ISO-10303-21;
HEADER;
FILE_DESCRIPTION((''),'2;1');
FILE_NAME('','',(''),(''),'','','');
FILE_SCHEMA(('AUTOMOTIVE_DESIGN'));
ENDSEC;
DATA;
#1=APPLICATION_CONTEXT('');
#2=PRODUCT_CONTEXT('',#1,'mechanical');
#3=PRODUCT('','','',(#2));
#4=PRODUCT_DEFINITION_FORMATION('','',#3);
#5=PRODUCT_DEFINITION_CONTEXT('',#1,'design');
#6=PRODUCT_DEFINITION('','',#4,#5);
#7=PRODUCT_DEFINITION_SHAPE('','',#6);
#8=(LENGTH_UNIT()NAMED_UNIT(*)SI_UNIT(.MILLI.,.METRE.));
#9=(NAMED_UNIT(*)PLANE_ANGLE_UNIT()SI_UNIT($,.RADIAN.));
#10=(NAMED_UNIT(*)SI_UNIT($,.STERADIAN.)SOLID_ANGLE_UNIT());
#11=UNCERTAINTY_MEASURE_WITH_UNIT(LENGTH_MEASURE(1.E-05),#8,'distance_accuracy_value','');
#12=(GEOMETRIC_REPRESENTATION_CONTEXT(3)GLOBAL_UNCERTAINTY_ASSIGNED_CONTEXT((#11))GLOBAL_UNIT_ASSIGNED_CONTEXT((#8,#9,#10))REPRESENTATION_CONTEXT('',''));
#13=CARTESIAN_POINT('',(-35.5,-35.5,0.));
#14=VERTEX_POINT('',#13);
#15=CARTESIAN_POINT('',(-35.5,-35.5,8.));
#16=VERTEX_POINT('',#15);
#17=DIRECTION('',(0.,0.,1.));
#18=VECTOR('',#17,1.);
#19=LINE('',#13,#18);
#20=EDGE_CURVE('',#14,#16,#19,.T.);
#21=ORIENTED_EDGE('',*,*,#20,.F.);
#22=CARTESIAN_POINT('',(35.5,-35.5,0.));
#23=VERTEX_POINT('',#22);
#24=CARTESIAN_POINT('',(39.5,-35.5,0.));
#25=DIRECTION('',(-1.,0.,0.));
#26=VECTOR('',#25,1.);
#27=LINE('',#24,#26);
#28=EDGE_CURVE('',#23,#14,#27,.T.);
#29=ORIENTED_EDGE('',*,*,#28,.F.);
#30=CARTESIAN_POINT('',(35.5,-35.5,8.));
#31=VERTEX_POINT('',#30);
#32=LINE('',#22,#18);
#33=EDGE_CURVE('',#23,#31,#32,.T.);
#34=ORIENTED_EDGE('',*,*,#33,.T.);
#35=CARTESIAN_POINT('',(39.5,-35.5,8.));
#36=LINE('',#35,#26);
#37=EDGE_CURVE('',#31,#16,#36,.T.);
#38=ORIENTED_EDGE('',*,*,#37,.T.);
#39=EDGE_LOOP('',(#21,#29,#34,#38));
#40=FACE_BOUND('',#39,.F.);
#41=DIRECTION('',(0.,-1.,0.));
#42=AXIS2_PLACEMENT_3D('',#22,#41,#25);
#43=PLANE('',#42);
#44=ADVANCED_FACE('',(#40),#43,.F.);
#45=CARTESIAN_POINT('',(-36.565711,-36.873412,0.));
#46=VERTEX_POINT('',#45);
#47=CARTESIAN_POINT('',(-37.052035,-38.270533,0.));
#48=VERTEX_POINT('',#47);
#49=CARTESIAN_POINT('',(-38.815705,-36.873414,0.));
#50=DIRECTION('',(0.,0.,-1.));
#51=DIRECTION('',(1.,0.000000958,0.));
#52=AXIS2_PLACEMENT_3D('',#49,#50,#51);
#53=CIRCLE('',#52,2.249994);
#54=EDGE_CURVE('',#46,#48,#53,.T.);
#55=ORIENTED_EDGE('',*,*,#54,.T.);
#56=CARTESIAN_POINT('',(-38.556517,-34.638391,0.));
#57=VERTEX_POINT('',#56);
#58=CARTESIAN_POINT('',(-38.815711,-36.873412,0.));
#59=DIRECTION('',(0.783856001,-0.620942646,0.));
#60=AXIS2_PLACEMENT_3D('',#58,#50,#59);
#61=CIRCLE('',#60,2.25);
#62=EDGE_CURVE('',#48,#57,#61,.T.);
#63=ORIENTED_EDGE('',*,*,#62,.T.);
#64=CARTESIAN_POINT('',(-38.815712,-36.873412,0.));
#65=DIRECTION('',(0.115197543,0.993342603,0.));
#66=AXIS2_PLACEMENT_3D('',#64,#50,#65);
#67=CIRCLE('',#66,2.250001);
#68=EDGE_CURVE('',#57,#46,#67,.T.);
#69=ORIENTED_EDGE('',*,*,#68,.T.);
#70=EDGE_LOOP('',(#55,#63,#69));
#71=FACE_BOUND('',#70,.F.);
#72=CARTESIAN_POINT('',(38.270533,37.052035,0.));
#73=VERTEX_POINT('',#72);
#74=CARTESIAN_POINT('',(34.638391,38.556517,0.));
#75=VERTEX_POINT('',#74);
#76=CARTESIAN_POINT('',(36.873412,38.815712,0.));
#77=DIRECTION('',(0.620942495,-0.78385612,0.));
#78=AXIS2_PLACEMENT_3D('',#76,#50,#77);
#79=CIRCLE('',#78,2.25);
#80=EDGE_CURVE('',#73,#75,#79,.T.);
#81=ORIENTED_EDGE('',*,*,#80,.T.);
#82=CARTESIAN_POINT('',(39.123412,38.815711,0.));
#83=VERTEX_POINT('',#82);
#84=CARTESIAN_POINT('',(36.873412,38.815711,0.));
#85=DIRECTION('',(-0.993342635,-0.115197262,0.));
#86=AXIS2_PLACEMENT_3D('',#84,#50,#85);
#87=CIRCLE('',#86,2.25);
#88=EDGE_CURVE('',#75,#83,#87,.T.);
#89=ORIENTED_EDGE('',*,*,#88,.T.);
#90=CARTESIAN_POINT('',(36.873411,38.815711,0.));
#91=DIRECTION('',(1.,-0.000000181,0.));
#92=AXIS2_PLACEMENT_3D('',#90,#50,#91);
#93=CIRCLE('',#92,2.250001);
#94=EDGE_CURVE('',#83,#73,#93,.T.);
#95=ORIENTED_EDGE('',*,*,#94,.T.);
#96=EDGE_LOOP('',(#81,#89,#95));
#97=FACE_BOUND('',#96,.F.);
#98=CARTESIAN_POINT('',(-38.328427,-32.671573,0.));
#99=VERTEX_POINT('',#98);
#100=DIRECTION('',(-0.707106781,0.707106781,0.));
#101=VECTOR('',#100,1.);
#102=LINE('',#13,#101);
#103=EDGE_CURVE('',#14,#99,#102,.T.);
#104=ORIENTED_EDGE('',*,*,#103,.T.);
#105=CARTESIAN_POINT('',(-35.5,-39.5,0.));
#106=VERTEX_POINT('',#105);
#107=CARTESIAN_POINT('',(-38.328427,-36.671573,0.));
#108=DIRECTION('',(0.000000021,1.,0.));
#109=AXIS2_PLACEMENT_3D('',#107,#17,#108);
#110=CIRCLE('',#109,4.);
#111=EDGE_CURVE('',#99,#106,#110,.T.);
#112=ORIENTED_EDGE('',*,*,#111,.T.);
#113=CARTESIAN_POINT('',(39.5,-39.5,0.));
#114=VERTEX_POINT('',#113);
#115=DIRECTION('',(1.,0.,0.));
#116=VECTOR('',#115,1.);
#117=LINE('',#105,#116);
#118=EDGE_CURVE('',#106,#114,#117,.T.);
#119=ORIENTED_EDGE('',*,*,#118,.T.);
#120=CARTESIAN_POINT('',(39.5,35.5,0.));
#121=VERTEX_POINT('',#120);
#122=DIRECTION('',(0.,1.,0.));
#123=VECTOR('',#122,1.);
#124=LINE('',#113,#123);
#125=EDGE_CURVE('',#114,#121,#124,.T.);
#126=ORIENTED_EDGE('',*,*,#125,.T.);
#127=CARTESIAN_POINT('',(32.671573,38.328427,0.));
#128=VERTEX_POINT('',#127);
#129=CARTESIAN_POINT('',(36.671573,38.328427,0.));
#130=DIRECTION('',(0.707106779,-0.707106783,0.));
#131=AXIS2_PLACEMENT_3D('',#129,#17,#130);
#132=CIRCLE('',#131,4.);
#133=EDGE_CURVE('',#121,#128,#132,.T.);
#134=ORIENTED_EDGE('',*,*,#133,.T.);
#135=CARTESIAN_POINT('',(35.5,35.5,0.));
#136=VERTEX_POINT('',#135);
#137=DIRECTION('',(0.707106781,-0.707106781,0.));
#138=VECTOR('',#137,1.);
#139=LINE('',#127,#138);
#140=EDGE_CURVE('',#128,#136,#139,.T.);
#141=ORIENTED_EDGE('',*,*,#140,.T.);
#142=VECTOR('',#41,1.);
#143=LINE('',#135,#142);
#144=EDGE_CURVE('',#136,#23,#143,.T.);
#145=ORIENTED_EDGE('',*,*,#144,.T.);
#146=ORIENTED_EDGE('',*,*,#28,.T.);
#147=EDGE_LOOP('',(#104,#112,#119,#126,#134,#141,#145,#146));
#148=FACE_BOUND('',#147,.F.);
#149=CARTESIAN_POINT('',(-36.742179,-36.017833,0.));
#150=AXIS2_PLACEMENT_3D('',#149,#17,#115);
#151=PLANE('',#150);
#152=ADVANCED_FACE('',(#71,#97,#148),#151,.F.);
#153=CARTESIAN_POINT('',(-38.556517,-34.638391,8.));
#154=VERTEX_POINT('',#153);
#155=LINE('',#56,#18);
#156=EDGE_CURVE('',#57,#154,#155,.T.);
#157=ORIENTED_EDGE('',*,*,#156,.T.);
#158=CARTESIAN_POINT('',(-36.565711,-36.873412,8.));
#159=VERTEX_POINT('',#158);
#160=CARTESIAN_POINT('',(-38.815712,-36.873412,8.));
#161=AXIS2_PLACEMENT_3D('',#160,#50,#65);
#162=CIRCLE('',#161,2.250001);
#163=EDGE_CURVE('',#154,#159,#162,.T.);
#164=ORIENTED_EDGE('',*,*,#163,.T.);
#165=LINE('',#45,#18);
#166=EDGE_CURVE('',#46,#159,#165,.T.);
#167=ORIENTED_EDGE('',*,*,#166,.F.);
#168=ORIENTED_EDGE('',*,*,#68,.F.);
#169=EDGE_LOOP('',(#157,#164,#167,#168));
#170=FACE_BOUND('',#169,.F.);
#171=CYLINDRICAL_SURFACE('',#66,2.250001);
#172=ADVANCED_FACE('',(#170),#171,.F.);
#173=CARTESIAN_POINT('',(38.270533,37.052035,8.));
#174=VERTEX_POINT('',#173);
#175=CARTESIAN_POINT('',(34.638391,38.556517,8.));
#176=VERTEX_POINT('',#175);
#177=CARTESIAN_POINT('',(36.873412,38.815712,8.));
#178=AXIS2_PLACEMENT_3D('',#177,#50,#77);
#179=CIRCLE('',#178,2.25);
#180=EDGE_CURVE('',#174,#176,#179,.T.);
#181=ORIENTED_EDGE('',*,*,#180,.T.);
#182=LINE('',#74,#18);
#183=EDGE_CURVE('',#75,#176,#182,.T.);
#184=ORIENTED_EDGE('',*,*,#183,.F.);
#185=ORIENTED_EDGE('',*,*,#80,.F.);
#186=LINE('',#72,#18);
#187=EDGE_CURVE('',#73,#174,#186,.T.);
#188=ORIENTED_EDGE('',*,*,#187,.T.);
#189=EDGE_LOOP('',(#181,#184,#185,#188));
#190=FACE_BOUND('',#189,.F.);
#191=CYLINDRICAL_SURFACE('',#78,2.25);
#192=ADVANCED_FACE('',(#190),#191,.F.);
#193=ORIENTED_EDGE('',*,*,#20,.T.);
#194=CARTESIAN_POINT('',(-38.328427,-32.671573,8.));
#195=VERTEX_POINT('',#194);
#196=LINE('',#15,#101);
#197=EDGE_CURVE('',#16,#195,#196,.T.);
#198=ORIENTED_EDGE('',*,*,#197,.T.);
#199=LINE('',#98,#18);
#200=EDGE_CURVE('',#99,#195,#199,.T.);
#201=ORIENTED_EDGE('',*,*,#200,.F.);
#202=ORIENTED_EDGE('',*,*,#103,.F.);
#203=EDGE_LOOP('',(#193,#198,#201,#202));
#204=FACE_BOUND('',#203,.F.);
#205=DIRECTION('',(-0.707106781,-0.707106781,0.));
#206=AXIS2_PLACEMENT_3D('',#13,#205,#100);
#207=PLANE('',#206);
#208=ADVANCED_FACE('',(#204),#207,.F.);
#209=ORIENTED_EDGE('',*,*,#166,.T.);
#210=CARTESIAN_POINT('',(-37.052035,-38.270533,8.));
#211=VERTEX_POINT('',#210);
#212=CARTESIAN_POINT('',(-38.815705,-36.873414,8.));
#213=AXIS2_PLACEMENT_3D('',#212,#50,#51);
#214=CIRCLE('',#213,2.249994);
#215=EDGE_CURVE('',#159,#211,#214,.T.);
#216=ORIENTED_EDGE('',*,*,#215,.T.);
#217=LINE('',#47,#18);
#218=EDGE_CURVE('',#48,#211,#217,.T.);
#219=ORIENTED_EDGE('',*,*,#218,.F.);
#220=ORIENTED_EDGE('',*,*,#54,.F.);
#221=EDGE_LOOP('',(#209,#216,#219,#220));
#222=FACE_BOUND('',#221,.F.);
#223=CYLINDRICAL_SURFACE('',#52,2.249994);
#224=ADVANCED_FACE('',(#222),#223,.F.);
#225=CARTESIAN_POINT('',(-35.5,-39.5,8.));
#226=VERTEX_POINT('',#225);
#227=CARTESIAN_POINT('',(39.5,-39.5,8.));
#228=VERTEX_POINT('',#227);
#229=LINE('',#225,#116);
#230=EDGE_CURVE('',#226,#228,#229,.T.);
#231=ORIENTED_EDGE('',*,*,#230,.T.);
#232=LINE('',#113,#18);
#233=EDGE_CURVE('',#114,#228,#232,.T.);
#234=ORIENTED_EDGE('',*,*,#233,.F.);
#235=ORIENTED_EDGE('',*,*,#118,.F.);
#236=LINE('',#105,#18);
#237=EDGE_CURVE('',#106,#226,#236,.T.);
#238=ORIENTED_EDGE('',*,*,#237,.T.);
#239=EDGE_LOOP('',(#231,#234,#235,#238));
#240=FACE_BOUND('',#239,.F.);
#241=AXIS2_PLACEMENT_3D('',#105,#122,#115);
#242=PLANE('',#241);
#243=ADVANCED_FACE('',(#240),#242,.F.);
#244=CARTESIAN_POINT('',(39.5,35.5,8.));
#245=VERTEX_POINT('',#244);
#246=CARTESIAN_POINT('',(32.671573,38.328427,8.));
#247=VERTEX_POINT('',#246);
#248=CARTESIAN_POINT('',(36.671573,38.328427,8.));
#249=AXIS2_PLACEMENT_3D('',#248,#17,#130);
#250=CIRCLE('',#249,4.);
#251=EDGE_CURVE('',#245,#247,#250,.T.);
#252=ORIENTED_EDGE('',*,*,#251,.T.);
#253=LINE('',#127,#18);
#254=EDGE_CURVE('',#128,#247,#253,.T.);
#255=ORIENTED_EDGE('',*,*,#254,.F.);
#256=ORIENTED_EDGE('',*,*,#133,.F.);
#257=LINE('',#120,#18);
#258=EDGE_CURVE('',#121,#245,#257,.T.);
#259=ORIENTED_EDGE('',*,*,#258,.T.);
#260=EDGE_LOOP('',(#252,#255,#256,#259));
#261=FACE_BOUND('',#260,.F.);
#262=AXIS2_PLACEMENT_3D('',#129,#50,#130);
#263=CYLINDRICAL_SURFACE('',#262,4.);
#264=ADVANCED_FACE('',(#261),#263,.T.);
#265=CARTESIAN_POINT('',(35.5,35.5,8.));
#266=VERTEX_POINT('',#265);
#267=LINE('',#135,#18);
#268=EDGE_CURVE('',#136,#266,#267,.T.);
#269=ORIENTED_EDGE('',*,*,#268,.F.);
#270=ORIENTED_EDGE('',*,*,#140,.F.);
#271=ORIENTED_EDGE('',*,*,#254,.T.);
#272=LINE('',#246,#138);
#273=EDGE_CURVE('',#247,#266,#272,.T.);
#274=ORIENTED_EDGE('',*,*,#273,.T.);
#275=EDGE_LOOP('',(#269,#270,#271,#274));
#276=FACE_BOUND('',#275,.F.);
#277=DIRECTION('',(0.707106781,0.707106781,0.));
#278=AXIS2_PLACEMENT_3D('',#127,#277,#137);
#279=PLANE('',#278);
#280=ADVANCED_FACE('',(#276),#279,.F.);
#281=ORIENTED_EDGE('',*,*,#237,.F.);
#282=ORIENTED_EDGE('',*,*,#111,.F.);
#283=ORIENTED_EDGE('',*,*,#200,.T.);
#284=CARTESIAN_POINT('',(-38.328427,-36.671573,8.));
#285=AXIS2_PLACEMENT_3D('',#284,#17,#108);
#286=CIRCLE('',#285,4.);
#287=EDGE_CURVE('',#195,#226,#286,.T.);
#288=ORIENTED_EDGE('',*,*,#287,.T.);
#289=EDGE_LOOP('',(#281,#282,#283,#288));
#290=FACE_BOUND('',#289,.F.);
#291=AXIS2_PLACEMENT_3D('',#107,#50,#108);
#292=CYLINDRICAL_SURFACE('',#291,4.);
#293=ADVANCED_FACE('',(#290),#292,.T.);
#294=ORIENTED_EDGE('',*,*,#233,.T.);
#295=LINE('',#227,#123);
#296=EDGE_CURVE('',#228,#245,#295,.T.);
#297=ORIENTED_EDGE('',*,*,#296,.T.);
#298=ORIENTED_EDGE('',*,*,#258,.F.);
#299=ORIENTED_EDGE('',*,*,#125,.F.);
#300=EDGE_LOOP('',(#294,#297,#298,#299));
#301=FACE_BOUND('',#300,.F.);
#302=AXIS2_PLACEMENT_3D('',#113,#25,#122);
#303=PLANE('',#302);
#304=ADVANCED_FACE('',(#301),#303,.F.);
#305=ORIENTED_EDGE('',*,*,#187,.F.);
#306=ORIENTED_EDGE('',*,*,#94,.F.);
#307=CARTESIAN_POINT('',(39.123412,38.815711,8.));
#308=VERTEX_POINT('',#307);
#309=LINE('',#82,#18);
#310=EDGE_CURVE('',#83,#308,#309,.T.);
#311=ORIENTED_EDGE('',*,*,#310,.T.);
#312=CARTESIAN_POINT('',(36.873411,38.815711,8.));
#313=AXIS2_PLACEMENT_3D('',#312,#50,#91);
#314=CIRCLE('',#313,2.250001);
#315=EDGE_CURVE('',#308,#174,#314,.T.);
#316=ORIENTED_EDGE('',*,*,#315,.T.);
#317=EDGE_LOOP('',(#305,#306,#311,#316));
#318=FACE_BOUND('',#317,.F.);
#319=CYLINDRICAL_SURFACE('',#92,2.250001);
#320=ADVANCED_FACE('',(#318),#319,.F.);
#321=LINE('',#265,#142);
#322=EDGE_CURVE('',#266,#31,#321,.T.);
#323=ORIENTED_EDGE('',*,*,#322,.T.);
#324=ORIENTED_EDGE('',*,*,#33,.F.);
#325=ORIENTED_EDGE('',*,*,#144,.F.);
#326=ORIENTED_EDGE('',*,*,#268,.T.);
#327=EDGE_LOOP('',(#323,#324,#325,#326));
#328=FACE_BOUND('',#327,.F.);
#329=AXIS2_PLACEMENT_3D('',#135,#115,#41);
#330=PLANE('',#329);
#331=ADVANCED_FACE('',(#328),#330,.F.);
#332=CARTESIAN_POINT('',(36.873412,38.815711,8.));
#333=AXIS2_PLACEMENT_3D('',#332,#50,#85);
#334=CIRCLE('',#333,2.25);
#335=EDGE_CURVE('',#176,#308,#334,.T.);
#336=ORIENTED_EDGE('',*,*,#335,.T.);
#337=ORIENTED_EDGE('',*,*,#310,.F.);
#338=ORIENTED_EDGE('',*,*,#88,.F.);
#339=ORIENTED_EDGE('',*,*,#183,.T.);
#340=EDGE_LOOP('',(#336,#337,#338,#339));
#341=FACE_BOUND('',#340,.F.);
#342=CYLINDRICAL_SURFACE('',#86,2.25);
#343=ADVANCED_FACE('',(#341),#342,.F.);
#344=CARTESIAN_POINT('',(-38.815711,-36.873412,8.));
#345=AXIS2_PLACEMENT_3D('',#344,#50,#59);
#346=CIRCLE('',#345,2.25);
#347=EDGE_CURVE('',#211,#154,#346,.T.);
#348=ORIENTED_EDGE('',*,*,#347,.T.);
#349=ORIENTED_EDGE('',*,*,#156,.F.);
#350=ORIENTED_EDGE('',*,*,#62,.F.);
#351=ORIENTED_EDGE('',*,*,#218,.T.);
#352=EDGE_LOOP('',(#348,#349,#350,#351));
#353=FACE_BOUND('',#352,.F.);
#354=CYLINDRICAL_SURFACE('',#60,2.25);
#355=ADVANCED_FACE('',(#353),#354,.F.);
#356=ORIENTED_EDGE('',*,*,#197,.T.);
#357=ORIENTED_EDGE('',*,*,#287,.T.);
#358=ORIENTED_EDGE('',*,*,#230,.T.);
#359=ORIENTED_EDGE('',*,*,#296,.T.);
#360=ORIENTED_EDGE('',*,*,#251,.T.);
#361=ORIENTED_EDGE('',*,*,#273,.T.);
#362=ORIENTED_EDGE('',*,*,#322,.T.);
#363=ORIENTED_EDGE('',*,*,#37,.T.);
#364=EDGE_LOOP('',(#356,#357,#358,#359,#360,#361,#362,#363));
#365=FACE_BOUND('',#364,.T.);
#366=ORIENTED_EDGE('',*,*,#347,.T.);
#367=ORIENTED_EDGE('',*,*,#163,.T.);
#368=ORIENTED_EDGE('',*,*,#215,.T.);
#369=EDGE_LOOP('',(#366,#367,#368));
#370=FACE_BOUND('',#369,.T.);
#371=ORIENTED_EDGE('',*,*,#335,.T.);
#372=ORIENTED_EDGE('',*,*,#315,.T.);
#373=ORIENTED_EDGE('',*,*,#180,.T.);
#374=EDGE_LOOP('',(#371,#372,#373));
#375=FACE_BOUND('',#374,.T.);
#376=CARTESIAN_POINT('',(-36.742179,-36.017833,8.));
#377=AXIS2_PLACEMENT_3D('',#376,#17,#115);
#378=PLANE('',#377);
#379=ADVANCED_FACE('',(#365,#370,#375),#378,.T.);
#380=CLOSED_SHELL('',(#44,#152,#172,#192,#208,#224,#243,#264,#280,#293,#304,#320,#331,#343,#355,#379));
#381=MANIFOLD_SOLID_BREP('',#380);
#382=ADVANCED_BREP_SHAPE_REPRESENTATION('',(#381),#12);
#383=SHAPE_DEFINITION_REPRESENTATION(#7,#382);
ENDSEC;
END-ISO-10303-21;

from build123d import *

# Parameters (mm, degrees)
F0_W     = 4
F0_H     = 69
F1_DEPTH = 8


with BuildPart() as f1:
    # F0 (on Top) → F1 (new body)
    with BuildSketch(Plane.XY):
        with BuildLine():
            Line((-35.5, -39.5), (-35.5, -35.5))
            Line((-35.5, -35.5), (-38.328427, -32.671573))
            Line((-38.328427, -32.671573), (-38.556517, -34.638391))
            ThreePointArc((-38.556517, -34.638391), (-37.135579, -35.376864), (-36.565711, -36.873412))
            ThreePointArc((-36.565711, -36.873412), (-36.690767, -37.613084), (-37.052035, -38.270533))
            Line((-37.052035, -38.270533), (-35.5, -39.5))
        make_face()
        with BuildLine():
            ThreePointArc((-38.328427, -32.671573), (-42.023945, -38.202307), (-35.5, -39.5))
            Line((-35.5, -39.5), (-37.052035, -38.270533))
            ThreePointArc((-37.052035, -38.270533), (-40.89444, -37.73445), (-38.556517, -34.638391))
            Line((-38.556517, -34.638391), (-38.328427, -32.671573))
        make_face()
        Polygon((35.5, -38.25), (35.5, -35.5), (33.5, -35.5), (-35.5, -35.5), (-35.5, -39.5), (35.5, -39.5), align=None)
        Polygon((38.25, -35.5), (35.5, -35.5), (35.5, -38.25), (35.5, -39.5), (39.5, -39.5), (39.5, -35.5), align=None)
        Polygon((35.5, -33.5), (35.5, -35.5), (38.25, -35.5), (39.5, -35.5), (39.5, -33.5), align=None)
        with Locations((37.5, 1)):
            Rectangle(F0_W, F0_H)
        with BuildLine():
            Line((32.671573, 38.328427), (35.5, 35.5))
            Line((35.5, 35.5), (39.5, 35.5))
            Line((39.5, 35.5), (38.270533, 37.052035))
            ThreePointArc((38.270533, 37.052035), (36.012375, 36.736982), (34.638391, 38.556517))
            Line((34.638391, 38.556517), (32.671573, 38.328427))
        make_face()
        with BuildLine():
            Line((38.270533, 37.052035), (39.5, 35.5))
            ThreePointArc((39.5, 35.5), (38.202307, 42.023945), (32.671573, 38.328427))
            Line((32.671573, 38.328427), (34.638391, 38.556517))
            ThreePointArc((34.638391, 38.556517), (36.743599, 41.061963), (39.123412, 38.815711))
            ThreePointArc((39.123412, 38.815711), (38.899001, 37.836176), (38.270533, 37.052035))
        make_face()
    extrude(amount=F1_DEPTH)


solid = f1.part
